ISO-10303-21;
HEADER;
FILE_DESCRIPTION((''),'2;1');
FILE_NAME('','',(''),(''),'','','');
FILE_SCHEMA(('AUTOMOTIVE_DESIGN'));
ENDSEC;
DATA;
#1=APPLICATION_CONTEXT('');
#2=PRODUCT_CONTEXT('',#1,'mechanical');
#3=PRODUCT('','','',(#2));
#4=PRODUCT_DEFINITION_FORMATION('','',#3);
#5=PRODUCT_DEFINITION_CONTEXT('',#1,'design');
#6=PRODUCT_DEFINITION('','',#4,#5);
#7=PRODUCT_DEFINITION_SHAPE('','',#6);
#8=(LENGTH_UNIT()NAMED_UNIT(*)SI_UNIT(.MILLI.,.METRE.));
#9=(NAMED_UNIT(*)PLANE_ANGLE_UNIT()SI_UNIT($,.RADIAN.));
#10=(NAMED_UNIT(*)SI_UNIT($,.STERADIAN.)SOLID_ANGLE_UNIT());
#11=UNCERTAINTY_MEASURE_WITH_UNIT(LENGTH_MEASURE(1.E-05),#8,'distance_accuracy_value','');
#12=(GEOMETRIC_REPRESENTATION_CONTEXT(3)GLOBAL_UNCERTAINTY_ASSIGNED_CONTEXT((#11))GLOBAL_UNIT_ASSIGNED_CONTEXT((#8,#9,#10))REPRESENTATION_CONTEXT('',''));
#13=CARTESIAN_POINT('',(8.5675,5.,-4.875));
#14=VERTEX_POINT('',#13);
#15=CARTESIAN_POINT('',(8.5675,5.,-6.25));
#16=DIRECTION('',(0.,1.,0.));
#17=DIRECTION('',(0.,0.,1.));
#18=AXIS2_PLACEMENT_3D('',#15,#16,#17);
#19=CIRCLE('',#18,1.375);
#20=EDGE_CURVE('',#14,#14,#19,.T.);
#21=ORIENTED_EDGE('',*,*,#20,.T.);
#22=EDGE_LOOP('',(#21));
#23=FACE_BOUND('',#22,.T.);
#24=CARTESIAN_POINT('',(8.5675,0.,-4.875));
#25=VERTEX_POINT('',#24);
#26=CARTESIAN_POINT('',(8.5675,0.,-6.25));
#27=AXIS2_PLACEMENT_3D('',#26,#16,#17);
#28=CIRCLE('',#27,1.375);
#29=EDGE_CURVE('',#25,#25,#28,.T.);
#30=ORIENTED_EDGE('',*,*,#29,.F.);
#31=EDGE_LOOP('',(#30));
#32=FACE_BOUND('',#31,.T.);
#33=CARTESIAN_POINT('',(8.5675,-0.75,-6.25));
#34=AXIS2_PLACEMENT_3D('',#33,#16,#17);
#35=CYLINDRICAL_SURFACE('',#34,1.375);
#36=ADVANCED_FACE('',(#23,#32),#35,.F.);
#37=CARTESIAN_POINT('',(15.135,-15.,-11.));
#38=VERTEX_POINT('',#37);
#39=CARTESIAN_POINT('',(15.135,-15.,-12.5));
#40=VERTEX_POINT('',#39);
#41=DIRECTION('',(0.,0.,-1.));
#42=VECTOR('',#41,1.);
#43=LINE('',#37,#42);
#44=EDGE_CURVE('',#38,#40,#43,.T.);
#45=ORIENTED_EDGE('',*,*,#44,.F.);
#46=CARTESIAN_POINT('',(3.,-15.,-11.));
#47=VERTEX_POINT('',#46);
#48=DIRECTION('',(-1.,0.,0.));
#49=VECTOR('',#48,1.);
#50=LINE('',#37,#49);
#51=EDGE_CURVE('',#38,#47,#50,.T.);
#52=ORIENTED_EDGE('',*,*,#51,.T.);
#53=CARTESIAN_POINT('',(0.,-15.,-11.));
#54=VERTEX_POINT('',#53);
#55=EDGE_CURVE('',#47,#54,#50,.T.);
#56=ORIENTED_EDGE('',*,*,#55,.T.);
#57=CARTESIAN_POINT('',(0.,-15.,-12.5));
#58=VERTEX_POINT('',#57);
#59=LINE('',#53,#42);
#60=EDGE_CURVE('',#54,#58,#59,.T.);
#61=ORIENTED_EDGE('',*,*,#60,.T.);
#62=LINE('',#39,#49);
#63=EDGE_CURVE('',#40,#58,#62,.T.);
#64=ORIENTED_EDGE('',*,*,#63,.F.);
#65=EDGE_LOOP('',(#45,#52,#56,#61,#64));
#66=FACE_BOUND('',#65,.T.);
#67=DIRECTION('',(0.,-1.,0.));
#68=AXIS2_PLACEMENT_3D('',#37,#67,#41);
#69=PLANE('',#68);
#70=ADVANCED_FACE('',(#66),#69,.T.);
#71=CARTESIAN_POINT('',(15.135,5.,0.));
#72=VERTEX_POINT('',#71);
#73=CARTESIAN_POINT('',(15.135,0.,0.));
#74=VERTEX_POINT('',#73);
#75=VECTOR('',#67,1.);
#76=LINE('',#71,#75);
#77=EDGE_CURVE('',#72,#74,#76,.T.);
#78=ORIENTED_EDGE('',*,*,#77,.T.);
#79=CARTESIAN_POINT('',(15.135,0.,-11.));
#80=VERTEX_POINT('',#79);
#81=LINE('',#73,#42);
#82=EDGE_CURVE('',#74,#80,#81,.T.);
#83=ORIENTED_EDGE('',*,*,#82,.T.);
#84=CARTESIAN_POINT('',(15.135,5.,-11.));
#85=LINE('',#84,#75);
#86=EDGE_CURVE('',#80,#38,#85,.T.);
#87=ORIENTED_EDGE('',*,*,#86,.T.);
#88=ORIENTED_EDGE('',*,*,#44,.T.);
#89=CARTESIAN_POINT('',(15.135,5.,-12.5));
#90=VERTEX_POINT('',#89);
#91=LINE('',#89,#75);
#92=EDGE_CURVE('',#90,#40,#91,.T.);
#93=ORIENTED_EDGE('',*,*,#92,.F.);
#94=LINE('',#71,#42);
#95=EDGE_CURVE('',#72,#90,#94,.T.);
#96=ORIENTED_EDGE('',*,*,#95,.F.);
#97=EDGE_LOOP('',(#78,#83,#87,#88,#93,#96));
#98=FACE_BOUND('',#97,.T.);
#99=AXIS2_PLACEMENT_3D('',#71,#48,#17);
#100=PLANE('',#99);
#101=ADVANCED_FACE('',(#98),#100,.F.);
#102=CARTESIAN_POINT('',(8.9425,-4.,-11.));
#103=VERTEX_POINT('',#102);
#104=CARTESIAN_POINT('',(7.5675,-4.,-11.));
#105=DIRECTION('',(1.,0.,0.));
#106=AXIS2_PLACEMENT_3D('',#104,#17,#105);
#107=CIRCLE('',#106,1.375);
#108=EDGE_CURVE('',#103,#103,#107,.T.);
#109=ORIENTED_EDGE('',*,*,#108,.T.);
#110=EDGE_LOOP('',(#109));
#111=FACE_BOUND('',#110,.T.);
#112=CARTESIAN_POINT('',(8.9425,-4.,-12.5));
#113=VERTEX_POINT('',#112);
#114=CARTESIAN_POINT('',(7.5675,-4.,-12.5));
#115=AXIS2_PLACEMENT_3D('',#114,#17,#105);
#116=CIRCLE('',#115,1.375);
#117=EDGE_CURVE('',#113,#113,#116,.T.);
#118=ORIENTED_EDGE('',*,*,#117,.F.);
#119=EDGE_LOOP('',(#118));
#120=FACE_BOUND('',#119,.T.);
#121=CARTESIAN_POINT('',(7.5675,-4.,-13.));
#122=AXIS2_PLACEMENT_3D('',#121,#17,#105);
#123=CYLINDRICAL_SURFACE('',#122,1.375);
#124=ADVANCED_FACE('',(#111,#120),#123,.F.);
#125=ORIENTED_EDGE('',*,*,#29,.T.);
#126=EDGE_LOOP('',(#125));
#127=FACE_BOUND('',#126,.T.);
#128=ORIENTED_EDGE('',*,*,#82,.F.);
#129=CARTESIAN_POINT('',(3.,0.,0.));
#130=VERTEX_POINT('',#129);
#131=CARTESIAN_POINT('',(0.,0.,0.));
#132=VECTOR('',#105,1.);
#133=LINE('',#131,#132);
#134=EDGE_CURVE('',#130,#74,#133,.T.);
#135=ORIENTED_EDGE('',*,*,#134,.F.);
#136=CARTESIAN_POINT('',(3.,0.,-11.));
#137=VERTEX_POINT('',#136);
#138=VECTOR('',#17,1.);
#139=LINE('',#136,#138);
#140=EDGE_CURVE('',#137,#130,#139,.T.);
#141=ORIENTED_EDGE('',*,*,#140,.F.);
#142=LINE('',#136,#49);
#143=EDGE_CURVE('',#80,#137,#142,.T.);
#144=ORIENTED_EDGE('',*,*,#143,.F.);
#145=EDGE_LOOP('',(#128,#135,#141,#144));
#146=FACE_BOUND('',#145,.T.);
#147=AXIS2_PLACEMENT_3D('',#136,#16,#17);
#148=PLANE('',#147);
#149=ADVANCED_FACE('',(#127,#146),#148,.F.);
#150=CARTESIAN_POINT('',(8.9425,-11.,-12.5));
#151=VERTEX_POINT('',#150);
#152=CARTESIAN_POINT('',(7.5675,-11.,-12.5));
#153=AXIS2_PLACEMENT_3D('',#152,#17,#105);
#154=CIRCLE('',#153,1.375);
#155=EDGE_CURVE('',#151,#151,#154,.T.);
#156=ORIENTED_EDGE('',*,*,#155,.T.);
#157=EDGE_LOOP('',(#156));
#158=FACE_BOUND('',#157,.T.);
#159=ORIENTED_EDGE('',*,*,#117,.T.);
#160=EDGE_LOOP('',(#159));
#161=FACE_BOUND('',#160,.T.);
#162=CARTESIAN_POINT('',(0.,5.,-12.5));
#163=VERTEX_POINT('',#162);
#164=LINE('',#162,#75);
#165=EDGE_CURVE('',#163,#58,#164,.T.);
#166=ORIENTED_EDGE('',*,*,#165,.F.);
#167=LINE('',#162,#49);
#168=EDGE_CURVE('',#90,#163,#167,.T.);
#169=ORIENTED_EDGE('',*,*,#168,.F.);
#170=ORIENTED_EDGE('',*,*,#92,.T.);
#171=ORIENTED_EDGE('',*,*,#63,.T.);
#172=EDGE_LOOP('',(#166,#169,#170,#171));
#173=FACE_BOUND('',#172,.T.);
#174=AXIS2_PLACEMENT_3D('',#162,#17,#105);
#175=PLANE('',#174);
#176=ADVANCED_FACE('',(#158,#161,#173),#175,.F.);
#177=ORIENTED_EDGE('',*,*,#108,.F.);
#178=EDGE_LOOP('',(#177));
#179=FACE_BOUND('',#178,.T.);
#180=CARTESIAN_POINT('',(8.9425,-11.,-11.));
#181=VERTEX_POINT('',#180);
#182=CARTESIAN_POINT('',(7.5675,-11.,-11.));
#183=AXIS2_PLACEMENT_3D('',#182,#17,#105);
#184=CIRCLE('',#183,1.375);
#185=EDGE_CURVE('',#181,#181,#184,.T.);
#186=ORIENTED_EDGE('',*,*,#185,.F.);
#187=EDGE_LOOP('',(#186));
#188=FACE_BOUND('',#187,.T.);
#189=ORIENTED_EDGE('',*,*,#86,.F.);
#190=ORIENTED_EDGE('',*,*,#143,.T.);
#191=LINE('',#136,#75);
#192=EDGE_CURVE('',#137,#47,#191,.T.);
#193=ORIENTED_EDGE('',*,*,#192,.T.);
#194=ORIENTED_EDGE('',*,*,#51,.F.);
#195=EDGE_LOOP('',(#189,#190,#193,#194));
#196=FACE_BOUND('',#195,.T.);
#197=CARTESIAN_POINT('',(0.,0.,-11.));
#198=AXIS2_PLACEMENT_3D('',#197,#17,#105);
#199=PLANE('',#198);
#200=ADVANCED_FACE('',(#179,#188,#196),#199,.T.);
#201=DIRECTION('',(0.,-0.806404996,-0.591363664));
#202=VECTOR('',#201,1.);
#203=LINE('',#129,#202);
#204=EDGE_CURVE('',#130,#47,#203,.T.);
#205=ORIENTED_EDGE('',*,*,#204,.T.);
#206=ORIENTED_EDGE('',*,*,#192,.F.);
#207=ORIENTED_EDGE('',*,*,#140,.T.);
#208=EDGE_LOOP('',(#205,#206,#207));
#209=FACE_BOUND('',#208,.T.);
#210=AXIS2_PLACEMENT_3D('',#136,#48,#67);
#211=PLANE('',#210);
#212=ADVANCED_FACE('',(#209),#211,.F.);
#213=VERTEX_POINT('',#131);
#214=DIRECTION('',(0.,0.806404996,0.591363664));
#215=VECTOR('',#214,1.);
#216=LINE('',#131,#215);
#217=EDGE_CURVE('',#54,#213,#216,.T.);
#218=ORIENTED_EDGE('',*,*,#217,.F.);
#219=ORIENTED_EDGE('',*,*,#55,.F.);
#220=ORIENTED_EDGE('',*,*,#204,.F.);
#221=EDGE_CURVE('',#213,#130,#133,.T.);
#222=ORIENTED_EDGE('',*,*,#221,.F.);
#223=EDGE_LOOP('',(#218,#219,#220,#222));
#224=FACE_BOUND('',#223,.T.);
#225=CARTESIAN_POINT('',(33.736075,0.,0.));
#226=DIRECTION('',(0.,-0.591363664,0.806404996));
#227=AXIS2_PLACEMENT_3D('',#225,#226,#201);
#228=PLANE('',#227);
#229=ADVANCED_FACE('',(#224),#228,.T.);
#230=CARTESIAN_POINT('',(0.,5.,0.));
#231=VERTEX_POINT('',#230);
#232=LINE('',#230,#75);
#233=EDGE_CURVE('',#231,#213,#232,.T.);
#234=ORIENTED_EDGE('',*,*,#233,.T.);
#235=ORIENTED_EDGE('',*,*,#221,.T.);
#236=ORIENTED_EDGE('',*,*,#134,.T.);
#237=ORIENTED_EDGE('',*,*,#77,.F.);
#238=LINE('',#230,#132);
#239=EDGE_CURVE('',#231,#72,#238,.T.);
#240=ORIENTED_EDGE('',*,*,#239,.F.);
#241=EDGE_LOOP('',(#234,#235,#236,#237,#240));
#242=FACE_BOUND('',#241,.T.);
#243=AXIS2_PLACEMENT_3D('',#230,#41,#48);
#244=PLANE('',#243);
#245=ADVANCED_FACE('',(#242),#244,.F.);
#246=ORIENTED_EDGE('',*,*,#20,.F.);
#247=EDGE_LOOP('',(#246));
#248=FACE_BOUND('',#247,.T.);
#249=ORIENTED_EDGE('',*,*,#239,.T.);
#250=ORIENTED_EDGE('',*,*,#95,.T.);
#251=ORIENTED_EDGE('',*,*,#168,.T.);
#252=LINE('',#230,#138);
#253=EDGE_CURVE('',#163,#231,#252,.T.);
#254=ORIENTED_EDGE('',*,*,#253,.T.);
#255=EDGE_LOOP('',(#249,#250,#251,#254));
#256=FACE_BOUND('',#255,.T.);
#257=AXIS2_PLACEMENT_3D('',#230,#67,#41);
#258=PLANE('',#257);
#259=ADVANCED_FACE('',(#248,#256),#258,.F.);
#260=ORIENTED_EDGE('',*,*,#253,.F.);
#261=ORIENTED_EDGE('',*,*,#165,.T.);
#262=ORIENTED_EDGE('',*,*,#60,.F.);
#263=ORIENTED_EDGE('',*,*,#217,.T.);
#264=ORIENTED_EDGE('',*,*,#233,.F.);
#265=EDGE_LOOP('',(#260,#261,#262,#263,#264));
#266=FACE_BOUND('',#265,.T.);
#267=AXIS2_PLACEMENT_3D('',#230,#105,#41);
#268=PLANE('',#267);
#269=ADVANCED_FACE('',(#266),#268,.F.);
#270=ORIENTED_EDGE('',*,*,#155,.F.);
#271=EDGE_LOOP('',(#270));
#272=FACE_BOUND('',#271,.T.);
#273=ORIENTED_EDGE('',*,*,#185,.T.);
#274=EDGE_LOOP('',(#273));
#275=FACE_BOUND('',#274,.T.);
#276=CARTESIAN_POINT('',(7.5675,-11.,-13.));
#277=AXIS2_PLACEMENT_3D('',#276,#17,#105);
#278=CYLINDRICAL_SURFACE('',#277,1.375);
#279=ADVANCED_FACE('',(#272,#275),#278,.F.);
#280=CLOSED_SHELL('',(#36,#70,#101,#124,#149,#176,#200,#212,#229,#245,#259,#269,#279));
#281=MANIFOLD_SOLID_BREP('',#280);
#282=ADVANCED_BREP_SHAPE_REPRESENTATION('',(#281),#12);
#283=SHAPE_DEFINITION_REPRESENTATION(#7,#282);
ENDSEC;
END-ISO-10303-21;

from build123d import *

# Parameters (mm, degrees)
SKETCH1_W           = 15.135
SKETCH1_H           = 12.5
BASE_DEPTH          = 5
SKETCH2_W           = 15.135
SKETCH2_H           = 15
BOSS_EXTRUDE2_DEPTH = 1.5
BOSS_EXTRUDE3_DEPTH = 15.135
SKETCH4_W           = 9.135
SKETCH4_H           = 15
CUT_EXTRUDE1_DEPTH  = 11
SKETCH5_R           = 1.375
CUT_EXTRUDE2_DEPTH  = 2
SKETCH6_R           = 1.375
CUT_EXTRUDE3_DEPTH  = 5.75
CUT_EXTRUDE4_DEPTH  = 10


with BuildPart() as part:
    # Sketch1 → base (new body)
    with BuildSketch(Plane(origin=(0, 0, 0), x_dir=(1, 0, 0), z_dir=(0, 1, 0))):
        with Locations((7.5675, 6.25)):
            Rectangle(SKETCH1_W, SKETCH1_H)
    extrude(amount=BASE_DEPTH)

    # Sketch2 → Boss-Extrude2 (add)
    with BuildSketch(Plane(origin=(0, 0, -12.5), x_dir=(-1, 0, 0), z_dir=(0, 0, -1))):
        with Locations((-7.5675, -7.5)):
            Rectangle(SKETCH2_W, SKETCH2_H)
    extrude(amount=-BOSS_EXTRUDE2_DEPTH)

    # Sketch3 → Boss-Extrude3 (add)
    with BuildSketch(Plane.ZY):
        Polygon((0, 0), (-11, -15), (-11, 0), align=None)
    extrude(amount=-BOSS_EXTRUDE3_DEPTH)

    # Sketch4 → Cut-Extrude1 (cut)
    with BuildSketch(Plane.XY):
        with Locations((7.5675, -7.5)):
            Rectangle(SKETCH4_W, SKETCH4_H)
    extrude(amount=-CUT_EXTRUDE1_DEPTH, mode=Mode.SUBTRACT)

    # Sketch5 → Cut-Extrude2 (cut)
    with BuildSketch(Plane.XY.offset(-11)):
        with Locations((7.5675, -4)):
            Circle(SKETCH5_R)
        with Locations((7.5675, -11)):
            Circle(SKETCH5_R)
    extrude(amount=-CUT_EXTRUDE2_DEPTH, mode=Mode.SUBTRACT)

    # Sketch6 → Cut-Extrude3 (cut)
    with BuildSketch(Plane(origin=(0, 5, 0), x_dir=(1, 0, 0), z_dir=(0, 1, 0))):
        with Locations((8.5675, 6.25)):
            Circle(SKETCH6_R)
    extrude(amount=-CUT_EXTRUDE3_DEPTH, mode=Mode.SUBTRACT)

    # Sketch7 → Cut-Extrude4 (cut)
    with BuildSketch(Plane.ZY.offset(-12.135)):
        Polygon((-11, -15), (0, 0), (-11, 0), align=None)
    extrude(amount=-CUT_EXTRUDE4_DEPTH, mode=Mode.SUBTRACT)


solid = part.part
